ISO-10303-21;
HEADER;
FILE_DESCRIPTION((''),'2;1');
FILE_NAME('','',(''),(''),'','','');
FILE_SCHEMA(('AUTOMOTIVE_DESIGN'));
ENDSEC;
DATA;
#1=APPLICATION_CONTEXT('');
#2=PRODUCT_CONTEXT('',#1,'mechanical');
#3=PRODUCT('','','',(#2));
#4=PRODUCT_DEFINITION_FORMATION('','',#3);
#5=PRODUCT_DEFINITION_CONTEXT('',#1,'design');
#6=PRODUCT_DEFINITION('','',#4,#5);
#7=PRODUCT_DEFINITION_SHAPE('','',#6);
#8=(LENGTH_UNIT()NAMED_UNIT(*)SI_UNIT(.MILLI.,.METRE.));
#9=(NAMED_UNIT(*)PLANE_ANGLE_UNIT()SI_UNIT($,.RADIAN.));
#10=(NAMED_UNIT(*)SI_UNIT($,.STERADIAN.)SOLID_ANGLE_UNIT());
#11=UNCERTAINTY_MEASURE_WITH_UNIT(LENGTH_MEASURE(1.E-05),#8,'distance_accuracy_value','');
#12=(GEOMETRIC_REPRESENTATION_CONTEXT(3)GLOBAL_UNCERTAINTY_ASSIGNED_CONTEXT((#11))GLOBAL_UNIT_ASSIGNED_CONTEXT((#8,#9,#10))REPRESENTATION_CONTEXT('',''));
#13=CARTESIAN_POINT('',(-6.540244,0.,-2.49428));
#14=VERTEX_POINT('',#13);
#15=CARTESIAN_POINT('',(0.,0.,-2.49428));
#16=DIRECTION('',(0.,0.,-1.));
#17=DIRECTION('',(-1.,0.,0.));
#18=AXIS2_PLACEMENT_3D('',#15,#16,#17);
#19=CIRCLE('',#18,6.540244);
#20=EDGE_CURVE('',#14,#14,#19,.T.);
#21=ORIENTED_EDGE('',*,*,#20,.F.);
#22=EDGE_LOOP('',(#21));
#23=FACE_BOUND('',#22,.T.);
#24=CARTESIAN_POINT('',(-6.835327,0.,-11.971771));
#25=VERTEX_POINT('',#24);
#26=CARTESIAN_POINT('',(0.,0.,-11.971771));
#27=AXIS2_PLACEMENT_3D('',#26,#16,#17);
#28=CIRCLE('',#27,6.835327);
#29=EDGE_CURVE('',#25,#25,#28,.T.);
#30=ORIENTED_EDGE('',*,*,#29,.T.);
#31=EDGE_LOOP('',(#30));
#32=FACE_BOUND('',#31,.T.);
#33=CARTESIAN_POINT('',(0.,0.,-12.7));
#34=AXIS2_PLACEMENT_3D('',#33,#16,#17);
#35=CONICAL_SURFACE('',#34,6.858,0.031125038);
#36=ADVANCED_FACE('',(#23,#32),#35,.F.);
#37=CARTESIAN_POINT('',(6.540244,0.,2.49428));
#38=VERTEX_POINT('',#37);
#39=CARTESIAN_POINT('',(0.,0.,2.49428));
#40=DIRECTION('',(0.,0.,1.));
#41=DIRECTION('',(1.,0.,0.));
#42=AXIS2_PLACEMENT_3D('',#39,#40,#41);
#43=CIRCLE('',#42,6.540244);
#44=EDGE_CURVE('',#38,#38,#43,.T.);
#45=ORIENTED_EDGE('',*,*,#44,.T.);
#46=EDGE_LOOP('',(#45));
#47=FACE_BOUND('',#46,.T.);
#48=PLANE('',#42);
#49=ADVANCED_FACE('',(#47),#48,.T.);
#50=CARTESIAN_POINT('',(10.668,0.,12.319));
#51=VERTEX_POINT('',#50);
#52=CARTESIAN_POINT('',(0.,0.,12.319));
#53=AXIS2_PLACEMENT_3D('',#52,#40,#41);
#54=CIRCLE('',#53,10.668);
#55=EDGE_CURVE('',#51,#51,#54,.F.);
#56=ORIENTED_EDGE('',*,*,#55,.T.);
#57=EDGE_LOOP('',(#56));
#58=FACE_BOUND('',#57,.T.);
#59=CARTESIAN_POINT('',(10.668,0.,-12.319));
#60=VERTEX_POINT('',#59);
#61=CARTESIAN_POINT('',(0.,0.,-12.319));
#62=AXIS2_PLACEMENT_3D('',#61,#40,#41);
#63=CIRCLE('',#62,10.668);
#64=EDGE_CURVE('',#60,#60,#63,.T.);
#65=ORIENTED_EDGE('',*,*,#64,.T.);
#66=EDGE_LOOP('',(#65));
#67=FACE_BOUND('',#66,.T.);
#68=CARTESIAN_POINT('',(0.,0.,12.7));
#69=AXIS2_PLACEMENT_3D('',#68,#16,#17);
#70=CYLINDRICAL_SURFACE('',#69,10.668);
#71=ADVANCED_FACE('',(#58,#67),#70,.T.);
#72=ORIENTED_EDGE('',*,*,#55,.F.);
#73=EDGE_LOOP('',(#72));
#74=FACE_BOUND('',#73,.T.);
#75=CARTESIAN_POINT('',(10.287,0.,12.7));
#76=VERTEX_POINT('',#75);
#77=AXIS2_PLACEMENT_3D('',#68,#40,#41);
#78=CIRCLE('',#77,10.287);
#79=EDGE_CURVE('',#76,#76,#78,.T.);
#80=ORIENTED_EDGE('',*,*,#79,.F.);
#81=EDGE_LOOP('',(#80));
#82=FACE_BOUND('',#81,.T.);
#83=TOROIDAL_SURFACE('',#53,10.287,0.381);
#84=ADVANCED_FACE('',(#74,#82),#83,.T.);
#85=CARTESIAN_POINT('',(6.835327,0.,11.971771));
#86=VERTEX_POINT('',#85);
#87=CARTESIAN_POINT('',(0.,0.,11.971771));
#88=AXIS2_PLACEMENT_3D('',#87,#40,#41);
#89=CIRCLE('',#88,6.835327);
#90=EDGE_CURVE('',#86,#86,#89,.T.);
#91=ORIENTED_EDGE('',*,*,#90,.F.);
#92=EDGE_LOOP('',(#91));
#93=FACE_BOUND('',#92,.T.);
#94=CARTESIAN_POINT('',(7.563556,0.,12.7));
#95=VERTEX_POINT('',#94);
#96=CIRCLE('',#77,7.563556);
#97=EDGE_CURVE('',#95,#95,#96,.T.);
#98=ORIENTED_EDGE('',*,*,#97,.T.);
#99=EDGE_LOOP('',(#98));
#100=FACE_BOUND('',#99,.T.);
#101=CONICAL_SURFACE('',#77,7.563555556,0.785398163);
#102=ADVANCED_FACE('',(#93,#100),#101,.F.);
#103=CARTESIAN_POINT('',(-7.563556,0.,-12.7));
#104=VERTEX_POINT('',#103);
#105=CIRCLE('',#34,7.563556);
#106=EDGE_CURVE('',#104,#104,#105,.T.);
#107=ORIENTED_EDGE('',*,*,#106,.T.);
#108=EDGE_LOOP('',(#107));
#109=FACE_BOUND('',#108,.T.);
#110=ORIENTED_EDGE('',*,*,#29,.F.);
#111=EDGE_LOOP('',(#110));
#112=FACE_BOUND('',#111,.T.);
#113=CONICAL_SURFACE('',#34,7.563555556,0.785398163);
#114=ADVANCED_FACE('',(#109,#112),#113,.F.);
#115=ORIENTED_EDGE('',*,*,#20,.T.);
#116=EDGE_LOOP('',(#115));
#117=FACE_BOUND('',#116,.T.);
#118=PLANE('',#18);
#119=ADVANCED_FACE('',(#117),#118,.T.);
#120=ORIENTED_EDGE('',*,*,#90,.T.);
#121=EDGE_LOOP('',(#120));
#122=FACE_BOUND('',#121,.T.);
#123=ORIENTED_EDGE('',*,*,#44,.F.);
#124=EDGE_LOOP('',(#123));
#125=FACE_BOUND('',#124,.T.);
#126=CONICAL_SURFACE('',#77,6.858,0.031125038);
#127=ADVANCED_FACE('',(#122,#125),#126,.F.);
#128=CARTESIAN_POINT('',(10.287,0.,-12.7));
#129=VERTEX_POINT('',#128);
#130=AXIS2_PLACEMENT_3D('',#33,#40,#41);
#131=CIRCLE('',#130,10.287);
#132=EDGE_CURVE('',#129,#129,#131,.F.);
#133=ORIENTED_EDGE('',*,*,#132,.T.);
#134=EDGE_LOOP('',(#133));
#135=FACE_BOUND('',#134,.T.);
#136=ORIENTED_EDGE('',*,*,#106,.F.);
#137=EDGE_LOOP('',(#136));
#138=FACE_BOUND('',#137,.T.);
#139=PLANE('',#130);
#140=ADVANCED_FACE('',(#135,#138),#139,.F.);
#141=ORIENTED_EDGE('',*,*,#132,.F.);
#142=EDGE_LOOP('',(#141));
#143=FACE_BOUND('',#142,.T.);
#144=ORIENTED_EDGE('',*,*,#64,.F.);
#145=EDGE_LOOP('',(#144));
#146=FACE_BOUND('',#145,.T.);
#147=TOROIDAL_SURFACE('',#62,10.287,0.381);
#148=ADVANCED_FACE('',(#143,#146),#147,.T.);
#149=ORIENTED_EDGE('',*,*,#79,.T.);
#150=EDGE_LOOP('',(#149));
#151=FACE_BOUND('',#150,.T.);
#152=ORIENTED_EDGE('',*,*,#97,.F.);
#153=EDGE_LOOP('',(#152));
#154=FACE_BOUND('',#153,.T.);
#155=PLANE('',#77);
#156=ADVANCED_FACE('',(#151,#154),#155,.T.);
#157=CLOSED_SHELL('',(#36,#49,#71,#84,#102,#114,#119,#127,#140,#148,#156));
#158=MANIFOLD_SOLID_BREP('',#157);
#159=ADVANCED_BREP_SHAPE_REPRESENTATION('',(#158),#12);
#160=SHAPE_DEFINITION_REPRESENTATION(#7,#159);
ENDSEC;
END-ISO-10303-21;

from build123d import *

# Parameters (mm, degrees)
SKETCH1_R                   = 10.668
EXTRUDE1_DEPTH              = 12.7
SKETCH2_R                   = 6.858
CUT_EXTRUDE1_DEPTH          = 10.20572
CUT_EXTRUDE1_DRAFT          = -1.783333333
SKETCH5_R                   = 7.563555556
CUT_EXTRUDE3_DEPTH          = 3.175
CUT_EXTRUDE3_DRAFT          = -45
CIRPATTERN1_COPY_1_SKETCH_R = 6.858
CIRPATTERN1_COPY_1_DEPTH    = 10.20572
CIRPATTERN1_COPY_1_DRAFT    = -1.783333333
CIRPATTERN1_COPY_2_SKETCH_R = 7.563555556
CIRPATTERN1_COPY_2_DEPTH    = 3.175
CIRPATTERN1_COPY_2_DRAFT    = -45
FILLET1_R                   = 0.381


with BuildPart() as part:
    # Sketch1 → Extrude1 (new, symmetric)
    with BuildSketch(Plane.XY):
        Circle(SKETCH1_R)
    extrude(amount=EXTRUDE1_DEPTH, both=True)


with BuildPart() as cut_extrude1_tool:
    # Sketch2 → Cut-Extrude1 (with draft: the straight prism first)
    with BuildSketch(Plane.XY.offset(12.7)):
        Circle(SKETCH2_R)
    extrude(amount=-CUT_EXTRUDE1_DEPTH)
    # Cut-Extrude1: the draft: its side faces are tilted about the plane it starts from
    cut_extrude1_sides = [cut_extrude1_tool.faces().sort_by_distance(p)[0] for p in [
        (-6.858, 0, 7.59714),
    ]]
    draft(cut_extrude1_sides, Plane.XY.offset(12.7), CUT_EXTRUDE1_DRAFT)


with BuildPart() as part_1:
    add(part.part)

    # Cut-Extrude1: cut by cut_extrude1_tool
    add(cut_extrude1_tool.part, mode=Mode.SUBTRACT)


with BuildPart() as cut_extrude3_tool:
    # Sketch5 → Cut-Extrude3 (with draft: the straight prism first)
    with BuildSketch(Plane.XY.offset(12.7)):
        Circle(SKETCH5_R)
    extrude(amount=-CUT_EXTRUDE3_DEPTH)
    # Cut-Extrude3: the draft: its side faces are tilted about the plane it starts from
    cut_extrude3_sides = [cut_extrude3_tool.faces().sort_by_distance(p)[0] for p in [
        (-7.563555556, 0, 11.1125),
    ]]
    draft(cut_extrude3_sides, Plane.XY.offset(12.7), CUT_EXTRUDE3_DRAFT)


with BuildPart() as part_2:
    add(part_1.part)

    # Cut-Extrude3: cut by cut_extrude3_tool
    add(cut_extrude3_tool.part, mode=Mode.SUBTRACT)


with BuildPart() as cirpattern1_copy_1_tool:
    # CirPattern1 copy 1 sketch → CirPattern1 copy 1 (with draft: the straight prism first)
    with BuildSketch(Plane(origin=(0, 0, -12.7), x_dir=(-1, 0, 0), z_dir=(0, 0, -1))):
        Circle(CIRPATTERN1_COPY_1_SKETCH_R)
    extrude(amount=-CIRPATTERN1_COPY_1_DEPTH)
    # CirPattern1 copy 1: the draft: its side faces are tilted about the plane it starts from
    cirpattern1_copy_1_sides = [cirpattern1_copy_1_tool.faces().sort_by_distance(p)[0] for p in [
        (6.858, 0, -7.59714),
    ]]
    draft(cirpattern1_copy_1_sides, Plane(origin=(0, 0, -12.7), x_dir=(-1, 0, 0), z_dir=(0, 0, -1)), CIRPATTERN1_COPY_1_DRAFT)


with BuildPart() as part_3:
    add(part_2.part)

    # CirPattern1 copy 1: cut by cirpattern1_copy_1_tool
    add(cirpattern1_copy_1_tool.part, mode=Mode.SUBTRACT)


with BuildPart() as cirpattern1_copy_2_tool:
    # CirPattern1 copy 2 sketch → CirPattern1 copy 2 (with draft: the straight prism first)
    with BuildSketch(Plane(origin=(0, 0, -12.7), x_dir=(-1, 0, 0), z_dir=(0, 0, -1))):
        Circle(CIRPATTERN1_COPY_2_SKETCH_R)
    extrude(amount=-CIRPATTERN1_COPY_2_DEPTH)
    # CirPattern1 copy 2: the draft: its side faces are tilted about the plane it starts from
    cirpattern1_copy_2_sides = [cirpattern1_copy_2_tool.faces().sort_by_distance(p)[0] for p in [
        (7.563555556, 0, -11.1125),
    ]]
    draft(cirpattern1_copy_2_sides, Plane(origin=(0, 0, -12.7), x_dir=(-1, 0, 0), z_dir=(0, 0, -1)), CIRPATTERN1_COPY_2_DRAFT)


with BuildPart() as part_4:
    add(part_3.part)

    # CirPattern1 copy 2: cut by cirpattern1_copy_2_tool
    add(cirpattern1_copy_2_tool.part, mode=Mode.SUBTRACT)

    # Fillet1
    fillet1_edges = [part_4.edges().sort_by_distance(p)[0] for p in [
        (-10.668, 0, -12.7),
        (-10.668, 0, 12.7),
    ]]
    fillet(fillet1_edges, radius=FILLET1_R)


solid = part_4.part
